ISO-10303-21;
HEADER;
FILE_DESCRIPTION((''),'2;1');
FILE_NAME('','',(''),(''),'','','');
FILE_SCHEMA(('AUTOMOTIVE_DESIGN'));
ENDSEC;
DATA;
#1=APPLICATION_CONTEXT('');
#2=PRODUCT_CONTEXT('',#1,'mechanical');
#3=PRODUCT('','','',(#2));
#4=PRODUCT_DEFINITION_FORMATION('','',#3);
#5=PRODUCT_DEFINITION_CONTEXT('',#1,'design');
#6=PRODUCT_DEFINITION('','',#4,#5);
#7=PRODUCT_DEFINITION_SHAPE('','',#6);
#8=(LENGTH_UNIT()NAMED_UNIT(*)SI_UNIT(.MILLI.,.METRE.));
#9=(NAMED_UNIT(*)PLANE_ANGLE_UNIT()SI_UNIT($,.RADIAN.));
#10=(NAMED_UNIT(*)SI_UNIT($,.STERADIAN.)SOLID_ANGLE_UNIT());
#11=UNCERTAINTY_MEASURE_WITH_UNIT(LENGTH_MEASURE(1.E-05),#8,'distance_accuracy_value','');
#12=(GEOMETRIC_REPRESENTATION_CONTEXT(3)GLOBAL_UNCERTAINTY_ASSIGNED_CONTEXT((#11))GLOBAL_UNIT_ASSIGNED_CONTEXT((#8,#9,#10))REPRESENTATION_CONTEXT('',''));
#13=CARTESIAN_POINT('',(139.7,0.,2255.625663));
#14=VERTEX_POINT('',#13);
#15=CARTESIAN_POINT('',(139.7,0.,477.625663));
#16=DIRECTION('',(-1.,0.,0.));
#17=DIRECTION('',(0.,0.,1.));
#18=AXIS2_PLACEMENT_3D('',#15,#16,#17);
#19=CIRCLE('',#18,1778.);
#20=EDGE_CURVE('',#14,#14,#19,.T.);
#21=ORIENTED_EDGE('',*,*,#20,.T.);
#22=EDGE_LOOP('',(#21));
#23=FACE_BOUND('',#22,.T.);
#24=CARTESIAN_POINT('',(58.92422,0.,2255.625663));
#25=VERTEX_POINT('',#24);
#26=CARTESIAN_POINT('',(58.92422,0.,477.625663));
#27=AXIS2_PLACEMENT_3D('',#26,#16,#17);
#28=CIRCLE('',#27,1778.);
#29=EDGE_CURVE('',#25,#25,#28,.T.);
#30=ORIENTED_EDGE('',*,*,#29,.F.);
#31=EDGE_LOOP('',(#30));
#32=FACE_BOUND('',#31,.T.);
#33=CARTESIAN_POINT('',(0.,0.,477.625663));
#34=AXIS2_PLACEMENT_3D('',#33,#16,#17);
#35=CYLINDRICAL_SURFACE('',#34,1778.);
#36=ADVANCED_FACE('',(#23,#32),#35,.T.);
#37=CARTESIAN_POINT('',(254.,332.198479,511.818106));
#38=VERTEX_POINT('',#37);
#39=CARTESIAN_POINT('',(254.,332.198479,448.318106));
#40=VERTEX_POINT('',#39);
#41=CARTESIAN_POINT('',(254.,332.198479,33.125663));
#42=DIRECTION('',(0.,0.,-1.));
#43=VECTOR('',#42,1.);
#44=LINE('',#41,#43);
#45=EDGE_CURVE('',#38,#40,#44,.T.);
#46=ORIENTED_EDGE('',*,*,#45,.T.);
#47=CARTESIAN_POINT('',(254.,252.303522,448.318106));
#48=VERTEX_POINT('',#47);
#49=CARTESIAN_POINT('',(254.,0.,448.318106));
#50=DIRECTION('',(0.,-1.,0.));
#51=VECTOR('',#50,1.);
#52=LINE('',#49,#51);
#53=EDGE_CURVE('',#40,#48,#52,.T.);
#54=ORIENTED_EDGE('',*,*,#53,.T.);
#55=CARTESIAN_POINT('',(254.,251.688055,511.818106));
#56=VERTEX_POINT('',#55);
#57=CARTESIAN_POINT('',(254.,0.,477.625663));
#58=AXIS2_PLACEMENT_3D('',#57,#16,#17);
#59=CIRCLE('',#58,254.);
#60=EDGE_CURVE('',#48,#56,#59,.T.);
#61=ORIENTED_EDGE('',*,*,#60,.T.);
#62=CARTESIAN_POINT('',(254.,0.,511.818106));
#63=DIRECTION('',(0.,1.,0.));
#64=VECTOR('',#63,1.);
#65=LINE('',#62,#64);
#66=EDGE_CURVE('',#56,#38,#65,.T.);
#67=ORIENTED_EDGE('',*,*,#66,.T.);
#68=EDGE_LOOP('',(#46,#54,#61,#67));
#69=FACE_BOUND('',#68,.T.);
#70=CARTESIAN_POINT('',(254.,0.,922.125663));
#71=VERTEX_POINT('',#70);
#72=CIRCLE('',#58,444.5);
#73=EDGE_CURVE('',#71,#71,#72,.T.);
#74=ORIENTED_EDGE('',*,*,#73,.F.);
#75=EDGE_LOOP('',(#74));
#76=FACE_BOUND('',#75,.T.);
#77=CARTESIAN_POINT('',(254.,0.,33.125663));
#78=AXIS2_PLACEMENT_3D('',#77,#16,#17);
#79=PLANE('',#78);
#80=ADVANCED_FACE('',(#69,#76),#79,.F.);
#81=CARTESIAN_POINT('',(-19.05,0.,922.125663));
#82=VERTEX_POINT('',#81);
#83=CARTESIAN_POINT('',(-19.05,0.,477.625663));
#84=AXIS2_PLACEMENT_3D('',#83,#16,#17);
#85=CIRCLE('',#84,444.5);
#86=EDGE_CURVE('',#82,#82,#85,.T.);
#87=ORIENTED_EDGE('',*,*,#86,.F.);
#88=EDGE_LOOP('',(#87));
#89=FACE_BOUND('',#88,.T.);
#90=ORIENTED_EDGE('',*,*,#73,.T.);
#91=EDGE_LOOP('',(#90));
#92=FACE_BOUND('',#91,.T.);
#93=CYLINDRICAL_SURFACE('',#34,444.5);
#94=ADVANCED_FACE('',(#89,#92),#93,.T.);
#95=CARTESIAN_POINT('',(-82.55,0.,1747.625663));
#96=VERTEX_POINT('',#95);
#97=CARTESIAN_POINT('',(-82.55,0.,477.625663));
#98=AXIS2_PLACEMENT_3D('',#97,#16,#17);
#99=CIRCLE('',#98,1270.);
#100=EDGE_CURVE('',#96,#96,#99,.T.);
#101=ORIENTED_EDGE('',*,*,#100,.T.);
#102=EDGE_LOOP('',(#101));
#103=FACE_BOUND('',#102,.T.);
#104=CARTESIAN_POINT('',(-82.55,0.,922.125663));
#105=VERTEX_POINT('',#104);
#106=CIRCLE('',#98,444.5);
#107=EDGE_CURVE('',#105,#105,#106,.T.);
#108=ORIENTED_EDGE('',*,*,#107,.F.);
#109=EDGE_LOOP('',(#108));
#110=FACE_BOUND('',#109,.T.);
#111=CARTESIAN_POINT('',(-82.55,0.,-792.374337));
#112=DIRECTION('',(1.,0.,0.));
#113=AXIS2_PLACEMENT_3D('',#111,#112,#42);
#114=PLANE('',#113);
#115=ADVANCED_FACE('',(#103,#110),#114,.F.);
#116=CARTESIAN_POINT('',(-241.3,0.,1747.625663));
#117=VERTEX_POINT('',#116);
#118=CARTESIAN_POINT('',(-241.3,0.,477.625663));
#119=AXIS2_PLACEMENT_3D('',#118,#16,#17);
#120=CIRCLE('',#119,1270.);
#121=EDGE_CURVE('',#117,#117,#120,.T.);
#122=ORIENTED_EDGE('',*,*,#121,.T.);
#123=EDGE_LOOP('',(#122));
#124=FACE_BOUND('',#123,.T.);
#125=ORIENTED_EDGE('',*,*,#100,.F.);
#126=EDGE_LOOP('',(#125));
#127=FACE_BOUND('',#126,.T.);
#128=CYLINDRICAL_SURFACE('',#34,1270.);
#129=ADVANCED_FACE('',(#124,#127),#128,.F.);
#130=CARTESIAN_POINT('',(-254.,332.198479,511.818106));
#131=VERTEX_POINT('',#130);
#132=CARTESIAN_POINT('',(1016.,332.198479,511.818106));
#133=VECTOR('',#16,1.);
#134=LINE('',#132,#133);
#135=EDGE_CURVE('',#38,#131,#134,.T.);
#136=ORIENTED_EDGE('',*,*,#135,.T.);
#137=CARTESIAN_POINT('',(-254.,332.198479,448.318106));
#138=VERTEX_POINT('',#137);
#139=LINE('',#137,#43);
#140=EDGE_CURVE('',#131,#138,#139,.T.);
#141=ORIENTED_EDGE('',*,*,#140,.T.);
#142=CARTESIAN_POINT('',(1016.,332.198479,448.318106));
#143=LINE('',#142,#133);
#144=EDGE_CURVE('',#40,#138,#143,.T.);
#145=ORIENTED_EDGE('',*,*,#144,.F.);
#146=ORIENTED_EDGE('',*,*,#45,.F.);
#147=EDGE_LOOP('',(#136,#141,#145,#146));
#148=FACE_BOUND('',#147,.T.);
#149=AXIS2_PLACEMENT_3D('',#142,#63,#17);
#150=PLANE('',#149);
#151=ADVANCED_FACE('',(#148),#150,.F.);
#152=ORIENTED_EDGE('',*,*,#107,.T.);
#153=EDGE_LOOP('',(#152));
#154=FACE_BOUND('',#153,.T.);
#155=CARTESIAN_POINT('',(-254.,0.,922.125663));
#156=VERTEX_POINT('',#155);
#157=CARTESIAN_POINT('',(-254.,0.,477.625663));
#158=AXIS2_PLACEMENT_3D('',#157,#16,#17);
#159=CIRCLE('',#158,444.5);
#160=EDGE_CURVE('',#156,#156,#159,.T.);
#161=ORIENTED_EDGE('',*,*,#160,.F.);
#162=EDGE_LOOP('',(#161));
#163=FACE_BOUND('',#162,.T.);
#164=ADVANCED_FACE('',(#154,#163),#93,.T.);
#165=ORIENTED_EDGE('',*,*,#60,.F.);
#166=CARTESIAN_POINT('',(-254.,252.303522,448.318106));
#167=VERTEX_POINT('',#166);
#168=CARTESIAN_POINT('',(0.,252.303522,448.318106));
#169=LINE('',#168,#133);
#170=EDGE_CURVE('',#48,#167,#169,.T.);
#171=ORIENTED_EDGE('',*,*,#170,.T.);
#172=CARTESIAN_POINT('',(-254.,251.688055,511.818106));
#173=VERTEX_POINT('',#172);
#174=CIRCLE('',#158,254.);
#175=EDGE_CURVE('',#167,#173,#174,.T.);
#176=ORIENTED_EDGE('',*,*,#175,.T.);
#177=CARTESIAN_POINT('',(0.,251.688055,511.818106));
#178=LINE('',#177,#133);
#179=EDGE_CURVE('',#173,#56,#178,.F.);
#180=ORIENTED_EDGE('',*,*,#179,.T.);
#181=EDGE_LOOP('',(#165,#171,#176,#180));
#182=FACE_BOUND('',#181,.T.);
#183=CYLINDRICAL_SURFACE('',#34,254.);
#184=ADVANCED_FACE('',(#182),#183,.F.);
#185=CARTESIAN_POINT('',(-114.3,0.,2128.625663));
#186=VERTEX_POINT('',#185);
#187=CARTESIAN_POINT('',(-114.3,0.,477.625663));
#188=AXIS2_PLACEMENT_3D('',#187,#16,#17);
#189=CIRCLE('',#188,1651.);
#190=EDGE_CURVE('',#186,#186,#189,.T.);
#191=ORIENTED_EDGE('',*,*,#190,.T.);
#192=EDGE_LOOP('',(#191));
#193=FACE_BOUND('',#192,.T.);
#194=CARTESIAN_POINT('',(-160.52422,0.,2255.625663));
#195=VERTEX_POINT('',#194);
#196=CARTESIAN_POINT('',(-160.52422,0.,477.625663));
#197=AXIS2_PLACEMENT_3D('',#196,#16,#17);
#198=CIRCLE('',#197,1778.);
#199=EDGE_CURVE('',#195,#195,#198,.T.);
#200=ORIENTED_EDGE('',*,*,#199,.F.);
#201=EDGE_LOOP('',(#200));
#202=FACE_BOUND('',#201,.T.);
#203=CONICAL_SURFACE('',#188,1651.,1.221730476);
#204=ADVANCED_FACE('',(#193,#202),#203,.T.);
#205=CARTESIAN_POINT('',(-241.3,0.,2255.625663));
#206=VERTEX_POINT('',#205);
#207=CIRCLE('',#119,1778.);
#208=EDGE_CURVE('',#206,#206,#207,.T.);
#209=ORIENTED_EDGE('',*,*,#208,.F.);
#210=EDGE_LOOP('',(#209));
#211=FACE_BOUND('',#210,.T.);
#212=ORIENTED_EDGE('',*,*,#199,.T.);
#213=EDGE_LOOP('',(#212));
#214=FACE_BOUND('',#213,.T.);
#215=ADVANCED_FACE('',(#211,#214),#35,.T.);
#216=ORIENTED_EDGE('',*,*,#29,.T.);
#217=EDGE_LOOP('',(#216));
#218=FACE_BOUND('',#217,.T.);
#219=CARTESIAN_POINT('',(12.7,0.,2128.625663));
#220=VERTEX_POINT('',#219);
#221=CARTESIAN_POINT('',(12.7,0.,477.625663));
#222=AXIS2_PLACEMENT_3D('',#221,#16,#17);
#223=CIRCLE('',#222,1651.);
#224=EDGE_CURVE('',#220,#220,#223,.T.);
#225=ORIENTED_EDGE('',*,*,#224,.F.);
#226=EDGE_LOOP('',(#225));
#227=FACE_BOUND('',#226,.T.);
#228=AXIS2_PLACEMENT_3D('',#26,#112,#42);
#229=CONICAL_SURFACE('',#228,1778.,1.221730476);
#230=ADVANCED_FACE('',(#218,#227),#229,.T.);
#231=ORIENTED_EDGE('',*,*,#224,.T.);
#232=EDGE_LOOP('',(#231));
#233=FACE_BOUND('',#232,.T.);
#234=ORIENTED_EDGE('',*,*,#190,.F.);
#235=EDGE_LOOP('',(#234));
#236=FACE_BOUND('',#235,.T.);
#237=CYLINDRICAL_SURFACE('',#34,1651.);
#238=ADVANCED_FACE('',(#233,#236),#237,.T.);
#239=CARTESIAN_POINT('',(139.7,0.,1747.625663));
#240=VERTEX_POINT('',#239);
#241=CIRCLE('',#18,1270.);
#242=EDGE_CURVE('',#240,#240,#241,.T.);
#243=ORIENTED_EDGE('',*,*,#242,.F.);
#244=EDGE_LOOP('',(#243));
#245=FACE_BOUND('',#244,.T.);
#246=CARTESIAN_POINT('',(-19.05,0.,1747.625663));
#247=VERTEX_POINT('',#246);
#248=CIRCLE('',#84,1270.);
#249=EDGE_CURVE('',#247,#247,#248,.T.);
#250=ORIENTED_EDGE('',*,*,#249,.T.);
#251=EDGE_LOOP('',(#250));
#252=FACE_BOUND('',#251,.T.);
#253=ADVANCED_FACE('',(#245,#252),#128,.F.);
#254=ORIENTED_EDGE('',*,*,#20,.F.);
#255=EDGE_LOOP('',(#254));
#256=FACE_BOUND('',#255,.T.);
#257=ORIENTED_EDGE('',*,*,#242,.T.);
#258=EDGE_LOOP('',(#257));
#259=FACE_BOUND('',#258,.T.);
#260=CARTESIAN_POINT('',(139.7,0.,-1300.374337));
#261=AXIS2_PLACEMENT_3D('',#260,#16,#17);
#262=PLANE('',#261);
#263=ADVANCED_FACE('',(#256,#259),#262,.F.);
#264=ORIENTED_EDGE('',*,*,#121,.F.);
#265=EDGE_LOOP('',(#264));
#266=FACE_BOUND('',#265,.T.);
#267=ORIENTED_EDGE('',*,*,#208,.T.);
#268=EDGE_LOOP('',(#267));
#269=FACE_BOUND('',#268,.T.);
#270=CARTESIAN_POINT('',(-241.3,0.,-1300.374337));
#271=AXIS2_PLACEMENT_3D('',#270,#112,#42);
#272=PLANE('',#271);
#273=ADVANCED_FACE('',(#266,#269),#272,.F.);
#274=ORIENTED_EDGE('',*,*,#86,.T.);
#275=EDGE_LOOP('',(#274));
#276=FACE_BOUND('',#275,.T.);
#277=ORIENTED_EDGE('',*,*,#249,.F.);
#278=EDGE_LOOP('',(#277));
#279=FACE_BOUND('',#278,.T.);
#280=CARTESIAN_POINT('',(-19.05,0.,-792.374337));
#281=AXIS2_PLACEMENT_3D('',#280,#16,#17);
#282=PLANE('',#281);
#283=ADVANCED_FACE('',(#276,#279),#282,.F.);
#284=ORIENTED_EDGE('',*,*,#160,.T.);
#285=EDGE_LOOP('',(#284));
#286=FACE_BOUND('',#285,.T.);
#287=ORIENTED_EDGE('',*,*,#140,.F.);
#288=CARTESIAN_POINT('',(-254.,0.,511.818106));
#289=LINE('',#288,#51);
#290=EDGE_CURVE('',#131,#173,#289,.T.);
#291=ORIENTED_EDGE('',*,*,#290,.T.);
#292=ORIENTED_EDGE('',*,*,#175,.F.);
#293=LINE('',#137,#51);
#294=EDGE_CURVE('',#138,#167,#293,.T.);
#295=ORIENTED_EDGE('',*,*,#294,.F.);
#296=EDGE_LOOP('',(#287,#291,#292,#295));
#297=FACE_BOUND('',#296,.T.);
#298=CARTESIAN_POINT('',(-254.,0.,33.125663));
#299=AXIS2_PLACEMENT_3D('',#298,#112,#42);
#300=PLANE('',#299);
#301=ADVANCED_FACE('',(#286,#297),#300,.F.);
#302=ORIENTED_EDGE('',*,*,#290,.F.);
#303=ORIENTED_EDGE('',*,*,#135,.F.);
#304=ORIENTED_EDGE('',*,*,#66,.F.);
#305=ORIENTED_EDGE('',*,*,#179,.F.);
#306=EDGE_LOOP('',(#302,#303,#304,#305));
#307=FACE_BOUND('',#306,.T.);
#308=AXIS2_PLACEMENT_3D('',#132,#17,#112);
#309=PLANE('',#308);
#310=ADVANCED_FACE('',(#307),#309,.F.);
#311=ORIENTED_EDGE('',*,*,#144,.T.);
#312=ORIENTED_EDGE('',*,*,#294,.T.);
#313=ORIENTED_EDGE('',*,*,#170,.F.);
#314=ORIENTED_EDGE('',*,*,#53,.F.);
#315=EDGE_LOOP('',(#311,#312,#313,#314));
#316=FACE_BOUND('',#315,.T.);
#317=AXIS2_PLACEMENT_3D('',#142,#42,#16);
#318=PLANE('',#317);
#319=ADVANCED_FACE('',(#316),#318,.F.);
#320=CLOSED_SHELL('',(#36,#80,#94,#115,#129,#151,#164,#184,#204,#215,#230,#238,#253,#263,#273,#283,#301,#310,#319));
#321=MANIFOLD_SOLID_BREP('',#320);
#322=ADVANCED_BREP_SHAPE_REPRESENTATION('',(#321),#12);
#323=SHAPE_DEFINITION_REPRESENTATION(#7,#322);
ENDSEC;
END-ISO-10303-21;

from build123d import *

# Parameters (mm, degrees)
SKETCH2_W          = 63.5
SKETCH2_H          = 152.4
CUT_EXTRUDE1_DEPTH = 1270


with BuildPart() as part:
    # Sketch1 → Revolve1 (revolve)
    with BuildSketch(Plane(origin=(0, 0, 0), x_dir=(1, 0, 0), z_dir=(0, 1, 0)), mode=Mode.PRIVATE) as revolve1_sk:
        Polygon((-19.05, -33.125663276), (254, -33.125663276), (254, -223.625663276), (-254, -223.625663276), (-254, -33.125663276), (-82.55, -33.125663276), (-82.55, 792.374336724), (-241.3, 792.374336724), (-241.3, 1300.374336724), (-160.524219752, 1300.374336724), (-114.3, 1173.374336724), (12.7, 1173.374336724), (58.924219752, 1300.374336724), (139.7, 1300.374336724), (139.7, 792.374336724), (-19.05, 792.374336724), align=None)
    revolve(revolve1_sk.sketch.rotate(Axis((0, 0, 477.625663276), (1, 0, 0)), 180), axis=Axis((0, 0, 477.625663276), (1, 0, 0)))

    # Sketch2 → Cut-Extrude1 (cut)
    with BuildSketch(Plane.ZY.offset(254)):
        with Locations((480.068106278, 255.998478736)):
            Rectangle(SKETCH2_W, SKETCH2_H)
    extrude(amount=-CUT_EXTRUDE1_DEPTH, mode=Mode.SUBTRACT)


solid = part.part
